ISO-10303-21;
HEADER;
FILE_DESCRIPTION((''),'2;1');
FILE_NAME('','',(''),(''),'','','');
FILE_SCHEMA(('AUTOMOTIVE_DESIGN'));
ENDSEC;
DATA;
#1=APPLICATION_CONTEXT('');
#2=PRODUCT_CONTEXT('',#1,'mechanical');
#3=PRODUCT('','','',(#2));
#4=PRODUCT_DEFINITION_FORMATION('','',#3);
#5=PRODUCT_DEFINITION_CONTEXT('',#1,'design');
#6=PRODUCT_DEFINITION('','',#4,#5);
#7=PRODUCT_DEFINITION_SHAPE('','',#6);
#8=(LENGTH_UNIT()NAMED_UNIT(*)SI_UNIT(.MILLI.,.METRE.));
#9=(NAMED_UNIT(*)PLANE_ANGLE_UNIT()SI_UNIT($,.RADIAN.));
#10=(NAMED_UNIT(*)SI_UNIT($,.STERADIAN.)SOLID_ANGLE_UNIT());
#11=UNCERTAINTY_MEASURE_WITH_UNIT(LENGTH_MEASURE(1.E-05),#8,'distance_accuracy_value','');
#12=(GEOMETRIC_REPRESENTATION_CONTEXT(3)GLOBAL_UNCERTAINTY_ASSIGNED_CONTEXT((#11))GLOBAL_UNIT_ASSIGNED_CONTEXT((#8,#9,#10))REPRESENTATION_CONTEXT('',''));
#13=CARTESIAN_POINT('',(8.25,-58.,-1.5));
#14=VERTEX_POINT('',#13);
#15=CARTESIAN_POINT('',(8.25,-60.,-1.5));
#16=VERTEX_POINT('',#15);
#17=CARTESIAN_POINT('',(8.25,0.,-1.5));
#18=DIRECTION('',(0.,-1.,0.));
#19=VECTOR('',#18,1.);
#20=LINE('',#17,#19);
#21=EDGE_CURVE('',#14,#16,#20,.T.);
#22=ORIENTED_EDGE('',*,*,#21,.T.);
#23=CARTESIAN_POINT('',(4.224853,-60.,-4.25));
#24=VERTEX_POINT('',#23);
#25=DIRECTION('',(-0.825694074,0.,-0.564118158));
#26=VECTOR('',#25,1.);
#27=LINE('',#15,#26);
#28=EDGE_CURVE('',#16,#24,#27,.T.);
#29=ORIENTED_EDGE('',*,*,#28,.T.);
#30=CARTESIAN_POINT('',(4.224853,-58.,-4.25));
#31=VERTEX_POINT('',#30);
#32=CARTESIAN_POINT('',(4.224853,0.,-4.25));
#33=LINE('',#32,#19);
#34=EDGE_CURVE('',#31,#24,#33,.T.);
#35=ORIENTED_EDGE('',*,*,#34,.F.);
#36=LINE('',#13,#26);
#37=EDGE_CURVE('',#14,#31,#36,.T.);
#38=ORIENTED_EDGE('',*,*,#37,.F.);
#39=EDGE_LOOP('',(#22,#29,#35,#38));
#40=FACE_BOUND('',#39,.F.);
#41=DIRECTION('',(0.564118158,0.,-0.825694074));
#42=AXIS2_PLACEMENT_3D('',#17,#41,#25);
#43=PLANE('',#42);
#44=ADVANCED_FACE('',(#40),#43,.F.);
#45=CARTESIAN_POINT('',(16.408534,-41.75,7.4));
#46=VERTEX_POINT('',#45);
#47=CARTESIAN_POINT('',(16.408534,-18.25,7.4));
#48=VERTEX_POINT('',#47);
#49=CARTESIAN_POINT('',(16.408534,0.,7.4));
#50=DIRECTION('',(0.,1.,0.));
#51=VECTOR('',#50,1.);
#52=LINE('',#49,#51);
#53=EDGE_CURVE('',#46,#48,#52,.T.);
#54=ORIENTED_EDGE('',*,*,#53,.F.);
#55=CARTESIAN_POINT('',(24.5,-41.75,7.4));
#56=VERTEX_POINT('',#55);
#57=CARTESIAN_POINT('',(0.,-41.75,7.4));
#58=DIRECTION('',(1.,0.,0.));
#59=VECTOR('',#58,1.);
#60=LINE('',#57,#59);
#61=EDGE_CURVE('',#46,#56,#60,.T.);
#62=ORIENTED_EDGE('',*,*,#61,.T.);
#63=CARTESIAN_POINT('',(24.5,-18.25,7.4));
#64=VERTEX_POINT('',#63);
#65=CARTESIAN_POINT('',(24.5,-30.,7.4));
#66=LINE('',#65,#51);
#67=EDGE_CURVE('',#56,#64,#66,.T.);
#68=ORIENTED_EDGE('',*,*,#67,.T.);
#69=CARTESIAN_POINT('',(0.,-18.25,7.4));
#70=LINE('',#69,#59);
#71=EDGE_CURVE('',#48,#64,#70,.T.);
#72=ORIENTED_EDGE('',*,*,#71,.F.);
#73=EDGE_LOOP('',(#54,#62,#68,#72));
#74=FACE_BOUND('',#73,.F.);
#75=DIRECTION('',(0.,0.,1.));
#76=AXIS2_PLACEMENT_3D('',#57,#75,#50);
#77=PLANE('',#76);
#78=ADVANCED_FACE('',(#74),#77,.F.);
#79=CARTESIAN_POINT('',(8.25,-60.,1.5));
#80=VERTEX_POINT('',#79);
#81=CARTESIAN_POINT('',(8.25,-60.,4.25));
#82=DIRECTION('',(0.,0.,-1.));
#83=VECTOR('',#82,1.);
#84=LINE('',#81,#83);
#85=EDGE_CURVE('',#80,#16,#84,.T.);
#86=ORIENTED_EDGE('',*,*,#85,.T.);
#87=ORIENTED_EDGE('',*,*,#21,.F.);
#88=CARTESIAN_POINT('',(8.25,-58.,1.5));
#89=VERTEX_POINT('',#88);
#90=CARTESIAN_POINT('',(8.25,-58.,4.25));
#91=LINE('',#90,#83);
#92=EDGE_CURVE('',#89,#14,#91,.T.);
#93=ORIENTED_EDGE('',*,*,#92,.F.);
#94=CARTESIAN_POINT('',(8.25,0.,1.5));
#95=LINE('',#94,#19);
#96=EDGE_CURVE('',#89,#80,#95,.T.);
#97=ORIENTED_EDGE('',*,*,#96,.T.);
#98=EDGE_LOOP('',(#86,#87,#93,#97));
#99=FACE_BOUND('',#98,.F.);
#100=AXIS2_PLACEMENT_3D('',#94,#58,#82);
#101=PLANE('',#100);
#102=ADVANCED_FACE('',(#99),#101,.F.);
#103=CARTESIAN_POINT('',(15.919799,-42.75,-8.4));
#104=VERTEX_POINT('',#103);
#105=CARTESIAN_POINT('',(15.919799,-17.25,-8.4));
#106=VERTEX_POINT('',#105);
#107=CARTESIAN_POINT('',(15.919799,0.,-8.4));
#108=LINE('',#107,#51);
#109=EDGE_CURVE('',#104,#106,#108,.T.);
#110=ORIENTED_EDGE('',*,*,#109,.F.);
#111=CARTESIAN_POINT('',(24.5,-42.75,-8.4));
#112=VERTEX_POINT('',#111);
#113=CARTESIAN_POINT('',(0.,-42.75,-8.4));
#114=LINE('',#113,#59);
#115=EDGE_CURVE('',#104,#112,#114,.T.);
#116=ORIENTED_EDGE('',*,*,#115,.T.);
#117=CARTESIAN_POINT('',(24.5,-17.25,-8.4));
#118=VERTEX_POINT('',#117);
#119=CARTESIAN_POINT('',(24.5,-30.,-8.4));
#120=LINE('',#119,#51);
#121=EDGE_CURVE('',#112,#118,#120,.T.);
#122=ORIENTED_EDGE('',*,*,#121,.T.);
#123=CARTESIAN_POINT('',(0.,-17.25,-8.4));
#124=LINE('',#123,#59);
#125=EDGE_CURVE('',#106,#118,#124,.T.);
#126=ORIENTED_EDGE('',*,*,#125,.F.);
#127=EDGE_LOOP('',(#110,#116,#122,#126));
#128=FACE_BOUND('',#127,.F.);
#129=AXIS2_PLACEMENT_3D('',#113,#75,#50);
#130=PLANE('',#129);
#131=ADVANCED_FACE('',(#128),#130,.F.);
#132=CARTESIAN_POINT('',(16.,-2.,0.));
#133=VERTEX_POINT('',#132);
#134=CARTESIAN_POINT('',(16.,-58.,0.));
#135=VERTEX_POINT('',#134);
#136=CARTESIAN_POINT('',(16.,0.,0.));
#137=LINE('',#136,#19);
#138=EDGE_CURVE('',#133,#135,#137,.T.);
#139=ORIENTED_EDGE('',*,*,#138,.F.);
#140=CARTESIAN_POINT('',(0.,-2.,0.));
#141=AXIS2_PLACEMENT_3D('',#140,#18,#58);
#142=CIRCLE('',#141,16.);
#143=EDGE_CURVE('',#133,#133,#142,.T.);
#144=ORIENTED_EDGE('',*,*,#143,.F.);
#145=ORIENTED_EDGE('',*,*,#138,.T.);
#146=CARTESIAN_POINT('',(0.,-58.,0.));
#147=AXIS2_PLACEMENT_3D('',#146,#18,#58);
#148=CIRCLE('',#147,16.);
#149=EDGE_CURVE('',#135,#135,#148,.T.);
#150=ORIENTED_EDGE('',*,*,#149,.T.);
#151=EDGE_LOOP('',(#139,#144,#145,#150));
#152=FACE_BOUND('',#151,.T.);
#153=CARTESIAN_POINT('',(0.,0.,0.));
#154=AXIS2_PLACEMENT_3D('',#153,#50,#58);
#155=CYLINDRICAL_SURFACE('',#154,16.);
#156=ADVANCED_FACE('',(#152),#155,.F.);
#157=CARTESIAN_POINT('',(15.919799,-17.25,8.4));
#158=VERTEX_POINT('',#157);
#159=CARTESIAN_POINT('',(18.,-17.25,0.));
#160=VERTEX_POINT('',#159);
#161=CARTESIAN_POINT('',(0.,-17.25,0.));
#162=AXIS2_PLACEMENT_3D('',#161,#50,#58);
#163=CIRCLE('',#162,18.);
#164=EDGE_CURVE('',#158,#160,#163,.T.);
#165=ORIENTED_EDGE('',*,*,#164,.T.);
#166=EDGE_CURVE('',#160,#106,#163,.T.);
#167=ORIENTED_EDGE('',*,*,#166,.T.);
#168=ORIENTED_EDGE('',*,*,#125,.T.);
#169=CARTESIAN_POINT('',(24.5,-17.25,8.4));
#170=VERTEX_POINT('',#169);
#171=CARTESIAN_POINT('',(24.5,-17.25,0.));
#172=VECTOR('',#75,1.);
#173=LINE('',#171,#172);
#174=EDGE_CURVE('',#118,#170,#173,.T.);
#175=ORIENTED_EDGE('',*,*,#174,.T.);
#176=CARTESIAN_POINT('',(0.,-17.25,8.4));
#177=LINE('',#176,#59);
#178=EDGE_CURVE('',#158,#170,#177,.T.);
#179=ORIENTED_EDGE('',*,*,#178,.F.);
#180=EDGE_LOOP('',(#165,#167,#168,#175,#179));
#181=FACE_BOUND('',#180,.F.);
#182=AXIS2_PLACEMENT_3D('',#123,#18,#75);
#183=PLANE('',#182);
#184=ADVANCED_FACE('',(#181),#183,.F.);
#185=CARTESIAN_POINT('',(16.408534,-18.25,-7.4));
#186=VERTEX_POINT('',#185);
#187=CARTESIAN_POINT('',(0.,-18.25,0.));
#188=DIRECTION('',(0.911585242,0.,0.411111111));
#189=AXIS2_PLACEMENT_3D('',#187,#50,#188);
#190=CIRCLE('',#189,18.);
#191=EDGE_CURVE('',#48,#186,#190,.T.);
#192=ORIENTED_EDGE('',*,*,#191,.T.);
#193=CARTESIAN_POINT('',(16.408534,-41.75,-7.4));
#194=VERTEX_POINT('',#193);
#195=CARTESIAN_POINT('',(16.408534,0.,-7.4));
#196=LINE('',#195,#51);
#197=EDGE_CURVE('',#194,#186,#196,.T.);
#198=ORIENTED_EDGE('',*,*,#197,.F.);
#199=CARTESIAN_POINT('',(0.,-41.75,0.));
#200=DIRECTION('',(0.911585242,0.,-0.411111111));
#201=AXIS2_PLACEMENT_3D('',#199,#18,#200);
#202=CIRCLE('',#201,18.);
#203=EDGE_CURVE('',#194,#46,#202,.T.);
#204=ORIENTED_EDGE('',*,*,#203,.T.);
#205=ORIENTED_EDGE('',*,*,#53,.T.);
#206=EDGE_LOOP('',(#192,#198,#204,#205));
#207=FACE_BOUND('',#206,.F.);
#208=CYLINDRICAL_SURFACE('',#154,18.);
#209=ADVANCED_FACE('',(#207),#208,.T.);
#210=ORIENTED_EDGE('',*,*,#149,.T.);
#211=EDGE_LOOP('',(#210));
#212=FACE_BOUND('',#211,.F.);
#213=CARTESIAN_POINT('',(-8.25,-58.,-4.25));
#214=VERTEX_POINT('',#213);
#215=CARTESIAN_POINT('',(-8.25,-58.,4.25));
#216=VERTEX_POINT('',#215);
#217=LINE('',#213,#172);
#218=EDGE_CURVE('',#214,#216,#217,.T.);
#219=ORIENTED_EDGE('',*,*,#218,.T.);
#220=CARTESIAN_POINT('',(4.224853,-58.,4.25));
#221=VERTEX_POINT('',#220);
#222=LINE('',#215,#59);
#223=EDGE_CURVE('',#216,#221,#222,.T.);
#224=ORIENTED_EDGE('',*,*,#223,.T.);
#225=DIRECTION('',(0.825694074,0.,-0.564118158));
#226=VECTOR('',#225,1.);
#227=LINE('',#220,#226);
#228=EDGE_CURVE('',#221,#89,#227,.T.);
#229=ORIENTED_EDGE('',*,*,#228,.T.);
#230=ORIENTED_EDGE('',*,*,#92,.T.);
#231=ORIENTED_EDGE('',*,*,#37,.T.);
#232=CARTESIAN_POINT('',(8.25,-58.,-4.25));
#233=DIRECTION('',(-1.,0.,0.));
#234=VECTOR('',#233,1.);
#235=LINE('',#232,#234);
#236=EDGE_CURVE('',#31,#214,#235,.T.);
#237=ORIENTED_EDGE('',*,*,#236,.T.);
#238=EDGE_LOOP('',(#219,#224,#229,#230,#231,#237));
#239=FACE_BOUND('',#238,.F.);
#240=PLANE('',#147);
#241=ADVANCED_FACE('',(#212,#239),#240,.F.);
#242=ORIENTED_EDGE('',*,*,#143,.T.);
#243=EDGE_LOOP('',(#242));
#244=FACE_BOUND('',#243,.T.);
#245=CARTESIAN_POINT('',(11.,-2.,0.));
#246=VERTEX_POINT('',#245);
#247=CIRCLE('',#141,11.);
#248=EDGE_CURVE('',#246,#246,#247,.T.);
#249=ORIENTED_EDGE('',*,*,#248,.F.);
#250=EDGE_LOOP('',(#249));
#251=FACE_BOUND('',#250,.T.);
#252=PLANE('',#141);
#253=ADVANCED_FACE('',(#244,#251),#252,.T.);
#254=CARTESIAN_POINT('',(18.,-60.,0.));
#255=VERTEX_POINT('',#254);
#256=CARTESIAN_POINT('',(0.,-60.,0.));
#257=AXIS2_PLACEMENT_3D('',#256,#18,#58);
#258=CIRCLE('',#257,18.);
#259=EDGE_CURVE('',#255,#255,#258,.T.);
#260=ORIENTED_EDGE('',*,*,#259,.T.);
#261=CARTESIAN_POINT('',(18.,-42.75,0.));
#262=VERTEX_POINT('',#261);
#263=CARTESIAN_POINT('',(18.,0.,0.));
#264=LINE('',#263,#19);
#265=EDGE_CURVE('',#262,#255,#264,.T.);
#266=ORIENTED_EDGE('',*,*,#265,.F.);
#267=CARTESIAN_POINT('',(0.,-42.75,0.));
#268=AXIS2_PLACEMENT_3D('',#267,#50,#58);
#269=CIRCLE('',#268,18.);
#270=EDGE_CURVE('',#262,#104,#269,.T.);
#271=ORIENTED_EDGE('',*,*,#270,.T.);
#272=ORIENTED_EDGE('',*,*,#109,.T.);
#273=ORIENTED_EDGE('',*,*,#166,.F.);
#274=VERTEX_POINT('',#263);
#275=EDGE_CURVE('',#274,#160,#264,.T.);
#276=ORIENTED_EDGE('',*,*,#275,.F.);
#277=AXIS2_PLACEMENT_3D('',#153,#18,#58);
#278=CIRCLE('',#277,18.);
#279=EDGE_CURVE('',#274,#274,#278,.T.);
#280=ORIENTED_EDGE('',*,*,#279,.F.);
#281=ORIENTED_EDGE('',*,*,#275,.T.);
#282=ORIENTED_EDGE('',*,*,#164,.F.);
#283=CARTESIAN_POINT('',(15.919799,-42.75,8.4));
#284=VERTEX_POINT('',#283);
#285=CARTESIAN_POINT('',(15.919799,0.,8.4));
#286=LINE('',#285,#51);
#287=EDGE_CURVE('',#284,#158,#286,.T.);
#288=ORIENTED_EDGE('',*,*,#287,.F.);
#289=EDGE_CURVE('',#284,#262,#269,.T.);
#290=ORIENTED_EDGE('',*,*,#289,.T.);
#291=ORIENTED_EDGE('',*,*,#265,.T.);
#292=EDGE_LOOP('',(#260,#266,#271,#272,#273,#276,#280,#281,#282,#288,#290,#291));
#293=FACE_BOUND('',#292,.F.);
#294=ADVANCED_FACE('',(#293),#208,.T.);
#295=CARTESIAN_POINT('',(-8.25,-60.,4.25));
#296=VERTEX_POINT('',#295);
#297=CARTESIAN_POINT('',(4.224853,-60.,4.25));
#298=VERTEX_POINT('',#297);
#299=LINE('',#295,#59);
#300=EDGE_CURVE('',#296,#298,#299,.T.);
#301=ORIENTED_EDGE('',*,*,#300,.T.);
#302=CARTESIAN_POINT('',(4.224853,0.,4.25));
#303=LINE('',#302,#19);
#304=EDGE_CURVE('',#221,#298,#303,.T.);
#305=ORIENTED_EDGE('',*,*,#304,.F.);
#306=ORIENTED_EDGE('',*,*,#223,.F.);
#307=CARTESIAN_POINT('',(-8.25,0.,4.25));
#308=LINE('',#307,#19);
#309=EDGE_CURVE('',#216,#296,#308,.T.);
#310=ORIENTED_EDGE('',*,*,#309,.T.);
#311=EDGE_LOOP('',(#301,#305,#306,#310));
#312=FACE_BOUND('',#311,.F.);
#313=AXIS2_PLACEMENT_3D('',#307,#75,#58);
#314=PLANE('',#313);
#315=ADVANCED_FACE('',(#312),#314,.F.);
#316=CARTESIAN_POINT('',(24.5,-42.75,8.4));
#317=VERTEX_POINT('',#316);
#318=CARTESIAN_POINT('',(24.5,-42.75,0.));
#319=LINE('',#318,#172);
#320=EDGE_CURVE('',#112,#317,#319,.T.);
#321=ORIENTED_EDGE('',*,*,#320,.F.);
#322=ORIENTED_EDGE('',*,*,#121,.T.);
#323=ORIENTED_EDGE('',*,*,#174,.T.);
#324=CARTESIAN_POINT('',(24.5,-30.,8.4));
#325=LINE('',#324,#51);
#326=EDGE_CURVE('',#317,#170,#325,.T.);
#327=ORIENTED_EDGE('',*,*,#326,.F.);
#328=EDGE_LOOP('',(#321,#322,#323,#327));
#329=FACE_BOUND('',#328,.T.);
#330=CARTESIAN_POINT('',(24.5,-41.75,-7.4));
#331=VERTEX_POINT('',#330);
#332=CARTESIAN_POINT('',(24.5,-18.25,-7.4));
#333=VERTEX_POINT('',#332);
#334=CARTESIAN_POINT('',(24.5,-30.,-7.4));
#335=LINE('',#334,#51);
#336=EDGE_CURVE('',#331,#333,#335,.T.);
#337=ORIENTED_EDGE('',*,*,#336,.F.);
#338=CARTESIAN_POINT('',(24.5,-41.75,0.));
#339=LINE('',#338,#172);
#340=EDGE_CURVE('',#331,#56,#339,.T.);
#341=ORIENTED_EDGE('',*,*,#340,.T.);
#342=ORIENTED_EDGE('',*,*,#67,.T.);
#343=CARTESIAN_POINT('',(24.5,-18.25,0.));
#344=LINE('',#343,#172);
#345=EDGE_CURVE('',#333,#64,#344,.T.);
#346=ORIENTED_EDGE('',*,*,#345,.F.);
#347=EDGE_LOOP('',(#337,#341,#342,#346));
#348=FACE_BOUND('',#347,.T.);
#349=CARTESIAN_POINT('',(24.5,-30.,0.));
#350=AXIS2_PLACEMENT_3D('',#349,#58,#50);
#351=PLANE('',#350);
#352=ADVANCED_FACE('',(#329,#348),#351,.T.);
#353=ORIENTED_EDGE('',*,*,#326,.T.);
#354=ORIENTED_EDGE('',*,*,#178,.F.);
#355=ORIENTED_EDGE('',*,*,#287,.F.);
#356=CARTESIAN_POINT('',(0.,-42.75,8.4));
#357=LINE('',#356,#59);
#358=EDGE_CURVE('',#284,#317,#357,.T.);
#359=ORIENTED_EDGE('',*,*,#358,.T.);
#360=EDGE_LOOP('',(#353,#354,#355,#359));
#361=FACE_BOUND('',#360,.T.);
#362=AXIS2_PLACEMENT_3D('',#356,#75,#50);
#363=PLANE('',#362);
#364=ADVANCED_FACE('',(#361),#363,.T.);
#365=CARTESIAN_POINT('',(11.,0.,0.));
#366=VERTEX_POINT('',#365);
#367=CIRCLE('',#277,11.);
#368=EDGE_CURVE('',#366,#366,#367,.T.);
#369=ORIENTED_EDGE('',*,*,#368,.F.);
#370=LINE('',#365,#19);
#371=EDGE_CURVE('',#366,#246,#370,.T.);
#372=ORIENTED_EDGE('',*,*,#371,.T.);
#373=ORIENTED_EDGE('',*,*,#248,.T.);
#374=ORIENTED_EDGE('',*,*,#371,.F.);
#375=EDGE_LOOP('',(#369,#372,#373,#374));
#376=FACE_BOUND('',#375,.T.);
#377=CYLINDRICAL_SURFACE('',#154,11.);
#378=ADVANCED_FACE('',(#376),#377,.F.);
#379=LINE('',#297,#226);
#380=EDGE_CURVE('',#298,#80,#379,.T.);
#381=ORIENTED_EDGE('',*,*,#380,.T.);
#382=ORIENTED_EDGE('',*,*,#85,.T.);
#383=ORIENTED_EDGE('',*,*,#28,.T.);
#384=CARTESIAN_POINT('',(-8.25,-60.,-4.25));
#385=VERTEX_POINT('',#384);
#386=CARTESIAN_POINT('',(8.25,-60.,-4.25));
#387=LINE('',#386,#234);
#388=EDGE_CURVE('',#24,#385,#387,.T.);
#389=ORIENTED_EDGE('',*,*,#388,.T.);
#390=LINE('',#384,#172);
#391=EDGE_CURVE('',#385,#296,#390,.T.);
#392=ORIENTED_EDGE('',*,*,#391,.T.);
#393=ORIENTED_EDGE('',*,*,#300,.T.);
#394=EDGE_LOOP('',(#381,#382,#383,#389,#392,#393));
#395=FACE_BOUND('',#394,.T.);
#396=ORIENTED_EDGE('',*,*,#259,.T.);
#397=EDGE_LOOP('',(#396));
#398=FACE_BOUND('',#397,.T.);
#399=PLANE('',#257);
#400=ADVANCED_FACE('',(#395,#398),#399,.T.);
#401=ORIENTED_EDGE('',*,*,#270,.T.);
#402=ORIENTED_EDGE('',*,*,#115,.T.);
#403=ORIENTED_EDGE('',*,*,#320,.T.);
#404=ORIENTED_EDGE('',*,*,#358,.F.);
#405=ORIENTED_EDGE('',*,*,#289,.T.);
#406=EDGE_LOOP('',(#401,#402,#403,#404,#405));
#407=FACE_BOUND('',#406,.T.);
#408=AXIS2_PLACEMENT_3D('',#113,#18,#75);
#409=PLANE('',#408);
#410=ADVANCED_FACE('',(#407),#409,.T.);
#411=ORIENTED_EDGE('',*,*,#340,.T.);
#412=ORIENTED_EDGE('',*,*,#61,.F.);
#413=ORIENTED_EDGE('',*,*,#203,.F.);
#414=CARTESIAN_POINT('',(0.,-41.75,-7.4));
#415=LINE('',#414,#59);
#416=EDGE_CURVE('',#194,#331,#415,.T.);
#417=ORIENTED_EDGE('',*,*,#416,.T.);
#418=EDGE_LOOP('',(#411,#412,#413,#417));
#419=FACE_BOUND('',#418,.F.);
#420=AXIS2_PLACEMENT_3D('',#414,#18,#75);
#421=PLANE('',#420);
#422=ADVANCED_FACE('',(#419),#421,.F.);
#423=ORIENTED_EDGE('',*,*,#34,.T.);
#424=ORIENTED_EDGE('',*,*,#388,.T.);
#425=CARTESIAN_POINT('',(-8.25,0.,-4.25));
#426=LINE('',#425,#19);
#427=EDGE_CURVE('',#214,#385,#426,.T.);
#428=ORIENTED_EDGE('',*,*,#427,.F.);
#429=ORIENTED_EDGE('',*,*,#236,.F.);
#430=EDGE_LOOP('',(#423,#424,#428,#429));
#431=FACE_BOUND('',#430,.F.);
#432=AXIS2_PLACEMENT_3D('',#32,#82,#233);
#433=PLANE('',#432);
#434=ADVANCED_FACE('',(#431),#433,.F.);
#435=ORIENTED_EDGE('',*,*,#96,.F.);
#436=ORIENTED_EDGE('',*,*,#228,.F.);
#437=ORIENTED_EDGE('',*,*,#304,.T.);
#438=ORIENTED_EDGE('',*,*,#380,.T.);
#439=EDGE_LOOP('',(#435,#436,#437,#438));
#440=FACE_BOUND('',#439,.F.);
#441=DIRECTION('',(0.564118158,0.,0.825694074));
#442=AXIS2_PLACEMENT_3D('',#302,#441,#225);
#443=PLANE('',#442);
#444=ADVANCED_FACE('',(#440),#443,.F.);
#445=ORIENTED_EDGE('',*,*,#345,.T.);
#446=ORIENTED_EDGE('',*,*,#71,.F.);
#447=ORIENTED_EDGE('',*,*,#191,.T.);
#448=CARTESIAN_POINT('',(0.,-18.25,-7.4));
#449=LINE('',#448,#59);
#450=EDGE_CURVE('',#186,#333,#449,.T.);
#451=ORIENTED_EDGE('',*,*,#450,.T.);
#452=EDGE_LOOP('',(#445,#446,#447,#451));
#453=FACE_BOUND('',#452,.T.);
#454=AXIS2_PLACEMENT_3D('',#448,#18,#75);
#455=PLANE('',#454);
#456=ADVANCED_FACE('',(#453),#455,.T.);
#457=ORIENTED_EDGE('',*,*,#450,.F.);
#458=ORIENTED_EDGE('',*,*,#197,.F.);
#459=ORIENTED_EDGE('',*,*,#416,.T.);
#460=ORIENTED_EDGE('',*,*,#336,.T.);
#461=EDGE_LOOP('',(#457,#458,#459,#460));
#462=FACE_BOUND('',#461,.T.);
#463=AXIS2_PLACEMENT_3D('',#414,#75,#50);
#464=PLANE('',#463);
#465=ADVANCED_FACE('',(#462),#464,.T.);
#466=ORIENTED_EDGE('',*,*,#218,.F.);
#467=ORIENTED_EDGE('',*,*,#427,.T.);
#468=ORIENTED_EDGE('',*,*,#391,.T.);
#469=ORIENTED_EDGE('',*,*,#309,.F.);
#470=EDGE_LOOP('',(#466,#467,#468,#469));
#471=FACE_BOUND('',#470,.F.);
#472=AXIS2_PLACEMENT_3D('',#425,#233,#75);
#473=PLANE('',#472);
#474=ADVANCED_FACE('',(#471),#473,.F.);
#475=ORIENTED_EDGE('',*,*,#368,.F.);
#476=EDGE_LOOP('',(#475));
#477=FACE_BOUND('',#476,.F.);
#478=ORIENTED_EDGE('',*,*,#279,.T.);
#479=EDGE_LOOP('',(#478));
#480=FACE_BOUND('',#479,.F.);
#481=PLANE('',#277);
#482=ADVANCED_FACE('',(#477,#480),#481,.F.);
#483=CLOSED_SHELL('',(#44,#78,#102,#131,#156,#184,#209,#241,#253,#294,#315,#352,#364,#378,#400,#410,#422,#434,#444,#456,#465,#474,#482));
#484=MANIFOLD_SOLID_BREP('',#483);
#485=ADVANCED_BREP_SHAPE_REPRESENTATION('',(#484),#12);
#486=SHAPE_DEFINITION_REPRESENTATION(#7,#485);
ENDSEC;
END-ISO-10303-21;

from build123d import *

# Parameters (mm, degrees)
F0_R     = 18
F0_R_2   = 16
F1_DEPTH = 60
F0_R_3   = 11
F2_DEPTH = 8
F3_W     = 25.5
F3_H     = 16.8
F3_W_2   = 23.5
F3_H_2   = 14.8
F4_DEPTH = 24.5
F5_DEPTH = 28.5
F6_DEPTH = 60
F7_DEPTH = 58
F8_DEPTH = 2


with BuildPart() as f1:
    # F0 (on Front) → F1 (new body)
    with BuildSketch(Plane.XZ):
        Circle(F0_R)
        Circle(F0_R_2, mode=Mode.SUBTRACT)
    extrude(amount=F1_DEPTH)

    # F0 (on Front) → F2 (join)
    with BuildSketch(Plane.XZ):
        Circle(F0_R_2)
        Circle(F0_R_3, mode=Mode.SUBTRACT)
    extrude(amount=F2_DEPTH)

    # F3 (on Right) → F4 (join)
    with BuildSketch(Plane.YZ):
        with Locations((-30, 0)):
            Rectangle(F3_W, F3_H)
        with Locations((-30, 0)):
            Rectangle(F3_W_2, F3_H_2, mode=Mode.SUBTRACT)
    extrude(amount=F4_DEPTH)

    # F5 (cut): a face of the model
    f5_faces = [f1.faces().sort_by_distance(p)[0] for p in [
        (7.6317317332, -42.75, 0),
    ]]
    extrude(f5_faces, amount=-F5_DEPTH, mode=Mode.SUBTRACT)

    # F0 (on Front) → F6 (join)
    with BuildSketch(Plane.XZ):
        Circle(F0_R_2)
        Circle(F0_R_3, mode=Mode.SUBTRACT)
        Circle(F0_R_3)
        Polygon((4.2248526588, 4.25), (8.25, 4.25), (8.25, 1.5), (8.25, -1.5), (8.25, -4.25), (4.2248526588, -4.25), (-8.25, -4.25), (-8.25, 4.25), align=None, mode=Mode.SUBTRACT)
        Polygon((8.25, 1.5), (8.25, 4.25), (4.2248526588, 4.25), align=None)
        Polygon((8.25, -4.25), (8.25, -1.5), (4.2248526588, -4.25), align=None)
    extrude(amount=F6_DEPTH)

    # F0 (on Front) → F7 (cut)
    with BuildSketch(Plane.XZ):
        Circle(F0_R_2)
        Circle(F0_R_3, mode=Mode.SUBTRACT)
        Circle(F0_R_3)
        Polygon((4.2248526588, 4.25), (8.25, 4.25), (8.25, 1.5), (8.25, -1.5), (8.25, -4.25), (4.2248526588, -4.25), (-8.25, -4.25), (-8.25, 4.25), align=None, mode=Mode.SUBTRACT)
        Polygon((8.25, 1.5), (8.25, 4.25), (4.2248526588, 4.25), align=None)
        Polygon((8.25, -4.25), (8.25, -1.5), (4.2248526588, -4.25), align=None)
    extrude(amount=F7_DEPTH, mode=Mode.SUBTRACT)

    # F0 (on Front) → F8 (join)
    with BuildSketch(Plane.XZ):
        Circle(F0_R_2)
        Circle(F0_R_3, mode=Mode.SUBTRACT)
    extrude(amount=F8_DEPTH)


solid = f1.part
